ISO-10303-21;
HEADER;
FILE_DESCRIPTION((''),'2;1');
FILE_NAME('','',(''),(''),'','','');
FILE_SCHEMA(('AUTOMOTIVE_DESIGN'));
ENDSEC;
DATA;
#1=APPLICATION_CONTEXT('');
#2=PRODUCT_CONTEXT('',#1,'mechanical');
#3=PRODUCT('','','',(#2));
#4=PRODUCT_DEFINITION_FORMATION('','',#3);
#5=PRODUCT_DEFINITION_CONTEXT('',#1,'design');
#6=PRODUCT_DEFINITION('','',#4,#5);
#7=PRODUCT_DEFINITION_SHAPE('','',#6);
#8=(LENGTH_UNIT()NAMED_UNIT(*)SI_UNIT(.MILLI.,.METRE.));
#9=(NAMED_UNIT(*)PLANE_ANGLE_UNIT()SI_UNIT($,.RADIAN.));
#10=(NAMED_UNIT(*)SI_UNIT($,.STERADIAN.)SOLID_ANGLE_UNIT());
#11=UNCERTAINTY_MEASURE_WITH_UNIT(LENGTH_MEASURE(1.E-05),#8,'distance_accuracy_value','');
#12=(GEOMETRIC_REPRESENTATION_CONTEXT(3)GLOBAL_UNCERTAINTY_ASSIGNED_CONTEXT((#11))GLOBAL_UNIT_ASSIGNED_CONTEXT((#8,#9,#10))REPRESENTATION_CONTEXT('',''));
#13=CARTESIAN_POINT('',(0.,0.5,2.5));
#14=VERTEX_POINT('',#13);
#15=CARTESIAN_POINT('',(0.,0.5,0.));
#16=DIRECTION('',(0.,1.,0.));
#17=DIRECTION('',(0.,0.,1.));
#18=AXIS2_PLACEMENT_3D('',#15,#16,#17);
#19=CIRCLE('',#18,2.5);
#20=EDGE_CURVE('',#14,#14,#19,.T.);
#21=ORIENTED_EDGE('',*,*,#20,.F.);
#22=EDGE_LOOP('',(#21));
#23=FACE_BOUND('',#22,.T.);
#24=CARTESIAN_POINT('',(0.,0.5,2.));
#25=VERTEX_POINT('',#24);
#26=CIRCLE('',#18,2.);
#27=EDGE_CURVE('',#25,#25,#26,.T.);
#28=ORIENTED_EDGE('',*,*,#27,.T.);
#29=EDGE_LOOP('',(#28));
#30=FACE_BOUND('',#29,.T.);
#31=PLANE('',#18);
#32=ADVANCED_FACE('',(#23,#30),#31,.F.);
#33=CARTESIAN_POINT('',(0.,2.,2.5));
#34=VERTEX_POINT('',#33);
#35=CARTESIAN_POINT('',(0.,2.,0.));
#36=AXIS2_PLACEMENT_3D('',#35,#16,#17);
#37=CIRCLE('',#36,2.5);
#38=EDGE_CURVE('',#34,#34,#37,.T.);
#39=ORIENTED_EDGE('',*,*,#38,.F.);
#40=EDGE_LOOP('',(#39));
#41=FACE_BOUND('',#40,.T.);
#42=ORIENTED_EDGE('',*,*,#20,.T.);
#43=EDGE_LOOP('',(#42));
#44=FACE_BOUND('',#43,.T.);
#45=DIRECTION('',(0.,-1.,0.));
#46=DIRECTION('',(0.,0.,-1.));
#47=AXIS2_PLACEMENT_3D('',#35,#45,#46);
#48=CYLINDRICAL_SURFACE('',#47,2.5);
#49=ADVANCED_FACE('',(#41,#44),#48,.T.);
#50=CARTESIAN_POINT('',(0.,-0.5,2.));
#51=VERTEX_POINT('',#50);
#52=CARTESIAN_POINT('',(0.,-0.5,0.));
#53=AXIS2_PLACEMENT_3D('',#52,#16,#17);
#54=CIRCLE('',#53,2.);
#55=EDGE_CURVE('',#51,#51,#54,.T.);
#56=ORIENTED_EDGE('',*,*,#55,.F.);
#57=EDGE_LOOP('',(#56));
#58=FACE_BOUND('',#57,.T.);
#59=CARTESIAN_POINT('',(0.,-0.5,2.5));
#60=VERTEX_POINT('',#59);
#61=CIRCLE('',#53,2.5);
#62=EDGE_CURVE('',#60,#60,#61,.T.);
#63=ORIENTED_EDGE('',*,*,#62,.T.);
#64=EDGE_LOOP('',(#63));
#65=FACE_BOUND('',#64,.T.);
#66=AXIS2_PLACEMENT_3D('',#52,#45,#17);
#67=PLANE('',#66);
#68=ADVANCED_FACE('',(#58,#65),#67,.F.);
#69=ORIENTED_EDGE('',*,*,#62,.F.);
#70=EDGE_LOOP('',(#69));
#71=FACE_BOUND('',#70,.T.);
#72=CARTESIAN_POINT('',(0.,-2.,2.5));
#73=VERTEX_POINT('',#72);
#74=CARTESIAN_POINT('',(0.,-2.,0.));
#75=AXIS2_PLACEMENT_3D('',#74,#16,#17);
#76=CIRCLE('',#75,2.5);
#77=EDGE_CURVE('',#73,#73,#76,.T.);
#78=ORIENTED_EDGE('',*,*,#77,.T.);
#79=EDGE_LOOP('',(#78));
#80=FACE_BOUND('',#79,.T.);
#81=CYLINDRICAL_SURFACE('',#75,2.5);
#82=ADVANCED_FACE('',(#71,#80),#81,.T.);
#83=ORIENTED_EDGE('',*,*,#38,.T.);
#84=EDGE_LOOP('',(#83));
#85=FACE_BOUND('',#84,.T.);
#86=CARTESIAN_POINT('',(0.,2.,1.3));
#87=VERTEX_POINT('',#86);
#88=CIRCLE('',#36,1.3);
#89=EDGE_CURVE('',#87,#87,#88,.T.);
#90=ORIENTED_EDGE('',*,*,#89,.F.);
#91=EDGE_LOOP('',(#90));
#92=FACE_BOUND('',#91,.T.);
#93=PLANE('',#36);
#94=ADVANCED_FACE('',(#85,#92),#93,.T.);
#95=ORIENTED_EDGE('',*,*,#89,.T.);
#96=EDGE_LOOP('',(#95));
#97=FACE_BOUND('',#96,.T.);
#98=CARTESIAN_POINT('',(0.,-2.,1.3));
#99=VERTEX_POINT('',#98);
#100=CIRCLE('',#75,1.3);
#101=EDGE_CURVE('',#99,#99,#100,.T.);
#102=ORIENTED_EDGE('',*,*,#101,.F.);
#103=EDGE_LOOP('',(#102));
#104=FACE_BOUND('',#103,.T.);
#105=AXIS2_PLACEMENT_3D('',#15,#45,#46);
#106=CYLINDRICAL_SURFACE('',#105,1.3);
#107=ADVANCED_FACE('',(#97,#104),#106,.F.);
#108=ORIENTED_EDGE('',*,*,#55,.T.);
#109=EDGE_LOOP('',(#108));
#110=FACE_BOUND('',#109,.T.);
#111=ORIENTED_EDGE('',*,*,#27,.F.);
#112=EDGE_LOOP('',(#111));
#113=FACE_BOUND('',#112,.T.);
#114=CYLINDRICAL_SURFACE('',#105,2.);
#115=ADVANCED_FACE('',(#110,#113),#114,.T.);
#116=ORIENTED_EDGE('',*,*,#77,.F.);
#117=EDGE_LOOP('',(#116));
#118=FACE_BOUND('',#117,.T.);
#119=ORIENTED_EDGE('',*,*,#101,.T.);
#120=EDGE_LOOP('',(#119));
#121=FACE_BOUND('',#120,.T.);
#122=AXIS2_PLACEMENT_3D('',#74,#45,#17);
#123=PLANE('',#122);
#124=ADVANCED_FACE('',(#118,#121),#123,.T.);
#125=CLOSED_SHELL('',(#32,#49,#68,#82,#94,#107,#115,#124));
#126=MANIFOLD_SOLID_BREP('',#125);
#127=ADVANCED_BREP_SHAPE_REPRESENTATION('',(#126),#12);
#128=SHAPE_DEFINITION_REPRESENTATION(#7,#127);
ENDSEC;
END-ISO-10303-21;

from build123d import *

# Parameters (mm, degrees)
SKETCH1_R           = 2
SKETCH1_R_2         = 1.3
BOSS_EXTRUDE1_DEPTH = 0.5
SKETCH2_R           = 2.5
SKETCH2_R_2         = 1.3
BOSS_EXTRUDE2_DEPTH = 1.5


with BuildPart() as part:
    # Sketch1 → Boss-Extrude1 (new, symmetric)
    with BuildSketch(Plane(origin=(0, 0, 0), x_dir=(1, 0, 0), z_dir=(0, 1, 0))):
        with Locations(Location((0, 0, 0), (0, 0, 270))):
            Circle(SKETCH1_R)
        with Locations(Location((0, 0, 0), (0, 0, 270))):
            Circle(SKETCH1_R_2, mode=Mode.SUBTRACT)
    extrude(amount=BOSS_EXTRUDE1_DEPTH, both=True)

    # Sketch2 → Boss-Extrude2 (add)
    with BuildSketch(Plane(origin=(0, 0.5, 0), x_dir=(1, 0, 0), z_dir=(0, 1, 0))):
        with Locations(Location((0, 0, 0), (0, 0, 270))):
            Circle(SKETCH2_R)
        with Locations(Location((0, 0, 0), (0, 0, 270))):
            Circle(SKETCH2_R_2, mode=Mode.SUBTRACT)
    boss_extrude2 = extrude(amount=BOSS_EXTRUDE2_DEPTH)

    # Mirror1: Boss-Extrude2 across plane
    add(boss_extrude2.mirror(Plane.ZX))


solid = part.part
